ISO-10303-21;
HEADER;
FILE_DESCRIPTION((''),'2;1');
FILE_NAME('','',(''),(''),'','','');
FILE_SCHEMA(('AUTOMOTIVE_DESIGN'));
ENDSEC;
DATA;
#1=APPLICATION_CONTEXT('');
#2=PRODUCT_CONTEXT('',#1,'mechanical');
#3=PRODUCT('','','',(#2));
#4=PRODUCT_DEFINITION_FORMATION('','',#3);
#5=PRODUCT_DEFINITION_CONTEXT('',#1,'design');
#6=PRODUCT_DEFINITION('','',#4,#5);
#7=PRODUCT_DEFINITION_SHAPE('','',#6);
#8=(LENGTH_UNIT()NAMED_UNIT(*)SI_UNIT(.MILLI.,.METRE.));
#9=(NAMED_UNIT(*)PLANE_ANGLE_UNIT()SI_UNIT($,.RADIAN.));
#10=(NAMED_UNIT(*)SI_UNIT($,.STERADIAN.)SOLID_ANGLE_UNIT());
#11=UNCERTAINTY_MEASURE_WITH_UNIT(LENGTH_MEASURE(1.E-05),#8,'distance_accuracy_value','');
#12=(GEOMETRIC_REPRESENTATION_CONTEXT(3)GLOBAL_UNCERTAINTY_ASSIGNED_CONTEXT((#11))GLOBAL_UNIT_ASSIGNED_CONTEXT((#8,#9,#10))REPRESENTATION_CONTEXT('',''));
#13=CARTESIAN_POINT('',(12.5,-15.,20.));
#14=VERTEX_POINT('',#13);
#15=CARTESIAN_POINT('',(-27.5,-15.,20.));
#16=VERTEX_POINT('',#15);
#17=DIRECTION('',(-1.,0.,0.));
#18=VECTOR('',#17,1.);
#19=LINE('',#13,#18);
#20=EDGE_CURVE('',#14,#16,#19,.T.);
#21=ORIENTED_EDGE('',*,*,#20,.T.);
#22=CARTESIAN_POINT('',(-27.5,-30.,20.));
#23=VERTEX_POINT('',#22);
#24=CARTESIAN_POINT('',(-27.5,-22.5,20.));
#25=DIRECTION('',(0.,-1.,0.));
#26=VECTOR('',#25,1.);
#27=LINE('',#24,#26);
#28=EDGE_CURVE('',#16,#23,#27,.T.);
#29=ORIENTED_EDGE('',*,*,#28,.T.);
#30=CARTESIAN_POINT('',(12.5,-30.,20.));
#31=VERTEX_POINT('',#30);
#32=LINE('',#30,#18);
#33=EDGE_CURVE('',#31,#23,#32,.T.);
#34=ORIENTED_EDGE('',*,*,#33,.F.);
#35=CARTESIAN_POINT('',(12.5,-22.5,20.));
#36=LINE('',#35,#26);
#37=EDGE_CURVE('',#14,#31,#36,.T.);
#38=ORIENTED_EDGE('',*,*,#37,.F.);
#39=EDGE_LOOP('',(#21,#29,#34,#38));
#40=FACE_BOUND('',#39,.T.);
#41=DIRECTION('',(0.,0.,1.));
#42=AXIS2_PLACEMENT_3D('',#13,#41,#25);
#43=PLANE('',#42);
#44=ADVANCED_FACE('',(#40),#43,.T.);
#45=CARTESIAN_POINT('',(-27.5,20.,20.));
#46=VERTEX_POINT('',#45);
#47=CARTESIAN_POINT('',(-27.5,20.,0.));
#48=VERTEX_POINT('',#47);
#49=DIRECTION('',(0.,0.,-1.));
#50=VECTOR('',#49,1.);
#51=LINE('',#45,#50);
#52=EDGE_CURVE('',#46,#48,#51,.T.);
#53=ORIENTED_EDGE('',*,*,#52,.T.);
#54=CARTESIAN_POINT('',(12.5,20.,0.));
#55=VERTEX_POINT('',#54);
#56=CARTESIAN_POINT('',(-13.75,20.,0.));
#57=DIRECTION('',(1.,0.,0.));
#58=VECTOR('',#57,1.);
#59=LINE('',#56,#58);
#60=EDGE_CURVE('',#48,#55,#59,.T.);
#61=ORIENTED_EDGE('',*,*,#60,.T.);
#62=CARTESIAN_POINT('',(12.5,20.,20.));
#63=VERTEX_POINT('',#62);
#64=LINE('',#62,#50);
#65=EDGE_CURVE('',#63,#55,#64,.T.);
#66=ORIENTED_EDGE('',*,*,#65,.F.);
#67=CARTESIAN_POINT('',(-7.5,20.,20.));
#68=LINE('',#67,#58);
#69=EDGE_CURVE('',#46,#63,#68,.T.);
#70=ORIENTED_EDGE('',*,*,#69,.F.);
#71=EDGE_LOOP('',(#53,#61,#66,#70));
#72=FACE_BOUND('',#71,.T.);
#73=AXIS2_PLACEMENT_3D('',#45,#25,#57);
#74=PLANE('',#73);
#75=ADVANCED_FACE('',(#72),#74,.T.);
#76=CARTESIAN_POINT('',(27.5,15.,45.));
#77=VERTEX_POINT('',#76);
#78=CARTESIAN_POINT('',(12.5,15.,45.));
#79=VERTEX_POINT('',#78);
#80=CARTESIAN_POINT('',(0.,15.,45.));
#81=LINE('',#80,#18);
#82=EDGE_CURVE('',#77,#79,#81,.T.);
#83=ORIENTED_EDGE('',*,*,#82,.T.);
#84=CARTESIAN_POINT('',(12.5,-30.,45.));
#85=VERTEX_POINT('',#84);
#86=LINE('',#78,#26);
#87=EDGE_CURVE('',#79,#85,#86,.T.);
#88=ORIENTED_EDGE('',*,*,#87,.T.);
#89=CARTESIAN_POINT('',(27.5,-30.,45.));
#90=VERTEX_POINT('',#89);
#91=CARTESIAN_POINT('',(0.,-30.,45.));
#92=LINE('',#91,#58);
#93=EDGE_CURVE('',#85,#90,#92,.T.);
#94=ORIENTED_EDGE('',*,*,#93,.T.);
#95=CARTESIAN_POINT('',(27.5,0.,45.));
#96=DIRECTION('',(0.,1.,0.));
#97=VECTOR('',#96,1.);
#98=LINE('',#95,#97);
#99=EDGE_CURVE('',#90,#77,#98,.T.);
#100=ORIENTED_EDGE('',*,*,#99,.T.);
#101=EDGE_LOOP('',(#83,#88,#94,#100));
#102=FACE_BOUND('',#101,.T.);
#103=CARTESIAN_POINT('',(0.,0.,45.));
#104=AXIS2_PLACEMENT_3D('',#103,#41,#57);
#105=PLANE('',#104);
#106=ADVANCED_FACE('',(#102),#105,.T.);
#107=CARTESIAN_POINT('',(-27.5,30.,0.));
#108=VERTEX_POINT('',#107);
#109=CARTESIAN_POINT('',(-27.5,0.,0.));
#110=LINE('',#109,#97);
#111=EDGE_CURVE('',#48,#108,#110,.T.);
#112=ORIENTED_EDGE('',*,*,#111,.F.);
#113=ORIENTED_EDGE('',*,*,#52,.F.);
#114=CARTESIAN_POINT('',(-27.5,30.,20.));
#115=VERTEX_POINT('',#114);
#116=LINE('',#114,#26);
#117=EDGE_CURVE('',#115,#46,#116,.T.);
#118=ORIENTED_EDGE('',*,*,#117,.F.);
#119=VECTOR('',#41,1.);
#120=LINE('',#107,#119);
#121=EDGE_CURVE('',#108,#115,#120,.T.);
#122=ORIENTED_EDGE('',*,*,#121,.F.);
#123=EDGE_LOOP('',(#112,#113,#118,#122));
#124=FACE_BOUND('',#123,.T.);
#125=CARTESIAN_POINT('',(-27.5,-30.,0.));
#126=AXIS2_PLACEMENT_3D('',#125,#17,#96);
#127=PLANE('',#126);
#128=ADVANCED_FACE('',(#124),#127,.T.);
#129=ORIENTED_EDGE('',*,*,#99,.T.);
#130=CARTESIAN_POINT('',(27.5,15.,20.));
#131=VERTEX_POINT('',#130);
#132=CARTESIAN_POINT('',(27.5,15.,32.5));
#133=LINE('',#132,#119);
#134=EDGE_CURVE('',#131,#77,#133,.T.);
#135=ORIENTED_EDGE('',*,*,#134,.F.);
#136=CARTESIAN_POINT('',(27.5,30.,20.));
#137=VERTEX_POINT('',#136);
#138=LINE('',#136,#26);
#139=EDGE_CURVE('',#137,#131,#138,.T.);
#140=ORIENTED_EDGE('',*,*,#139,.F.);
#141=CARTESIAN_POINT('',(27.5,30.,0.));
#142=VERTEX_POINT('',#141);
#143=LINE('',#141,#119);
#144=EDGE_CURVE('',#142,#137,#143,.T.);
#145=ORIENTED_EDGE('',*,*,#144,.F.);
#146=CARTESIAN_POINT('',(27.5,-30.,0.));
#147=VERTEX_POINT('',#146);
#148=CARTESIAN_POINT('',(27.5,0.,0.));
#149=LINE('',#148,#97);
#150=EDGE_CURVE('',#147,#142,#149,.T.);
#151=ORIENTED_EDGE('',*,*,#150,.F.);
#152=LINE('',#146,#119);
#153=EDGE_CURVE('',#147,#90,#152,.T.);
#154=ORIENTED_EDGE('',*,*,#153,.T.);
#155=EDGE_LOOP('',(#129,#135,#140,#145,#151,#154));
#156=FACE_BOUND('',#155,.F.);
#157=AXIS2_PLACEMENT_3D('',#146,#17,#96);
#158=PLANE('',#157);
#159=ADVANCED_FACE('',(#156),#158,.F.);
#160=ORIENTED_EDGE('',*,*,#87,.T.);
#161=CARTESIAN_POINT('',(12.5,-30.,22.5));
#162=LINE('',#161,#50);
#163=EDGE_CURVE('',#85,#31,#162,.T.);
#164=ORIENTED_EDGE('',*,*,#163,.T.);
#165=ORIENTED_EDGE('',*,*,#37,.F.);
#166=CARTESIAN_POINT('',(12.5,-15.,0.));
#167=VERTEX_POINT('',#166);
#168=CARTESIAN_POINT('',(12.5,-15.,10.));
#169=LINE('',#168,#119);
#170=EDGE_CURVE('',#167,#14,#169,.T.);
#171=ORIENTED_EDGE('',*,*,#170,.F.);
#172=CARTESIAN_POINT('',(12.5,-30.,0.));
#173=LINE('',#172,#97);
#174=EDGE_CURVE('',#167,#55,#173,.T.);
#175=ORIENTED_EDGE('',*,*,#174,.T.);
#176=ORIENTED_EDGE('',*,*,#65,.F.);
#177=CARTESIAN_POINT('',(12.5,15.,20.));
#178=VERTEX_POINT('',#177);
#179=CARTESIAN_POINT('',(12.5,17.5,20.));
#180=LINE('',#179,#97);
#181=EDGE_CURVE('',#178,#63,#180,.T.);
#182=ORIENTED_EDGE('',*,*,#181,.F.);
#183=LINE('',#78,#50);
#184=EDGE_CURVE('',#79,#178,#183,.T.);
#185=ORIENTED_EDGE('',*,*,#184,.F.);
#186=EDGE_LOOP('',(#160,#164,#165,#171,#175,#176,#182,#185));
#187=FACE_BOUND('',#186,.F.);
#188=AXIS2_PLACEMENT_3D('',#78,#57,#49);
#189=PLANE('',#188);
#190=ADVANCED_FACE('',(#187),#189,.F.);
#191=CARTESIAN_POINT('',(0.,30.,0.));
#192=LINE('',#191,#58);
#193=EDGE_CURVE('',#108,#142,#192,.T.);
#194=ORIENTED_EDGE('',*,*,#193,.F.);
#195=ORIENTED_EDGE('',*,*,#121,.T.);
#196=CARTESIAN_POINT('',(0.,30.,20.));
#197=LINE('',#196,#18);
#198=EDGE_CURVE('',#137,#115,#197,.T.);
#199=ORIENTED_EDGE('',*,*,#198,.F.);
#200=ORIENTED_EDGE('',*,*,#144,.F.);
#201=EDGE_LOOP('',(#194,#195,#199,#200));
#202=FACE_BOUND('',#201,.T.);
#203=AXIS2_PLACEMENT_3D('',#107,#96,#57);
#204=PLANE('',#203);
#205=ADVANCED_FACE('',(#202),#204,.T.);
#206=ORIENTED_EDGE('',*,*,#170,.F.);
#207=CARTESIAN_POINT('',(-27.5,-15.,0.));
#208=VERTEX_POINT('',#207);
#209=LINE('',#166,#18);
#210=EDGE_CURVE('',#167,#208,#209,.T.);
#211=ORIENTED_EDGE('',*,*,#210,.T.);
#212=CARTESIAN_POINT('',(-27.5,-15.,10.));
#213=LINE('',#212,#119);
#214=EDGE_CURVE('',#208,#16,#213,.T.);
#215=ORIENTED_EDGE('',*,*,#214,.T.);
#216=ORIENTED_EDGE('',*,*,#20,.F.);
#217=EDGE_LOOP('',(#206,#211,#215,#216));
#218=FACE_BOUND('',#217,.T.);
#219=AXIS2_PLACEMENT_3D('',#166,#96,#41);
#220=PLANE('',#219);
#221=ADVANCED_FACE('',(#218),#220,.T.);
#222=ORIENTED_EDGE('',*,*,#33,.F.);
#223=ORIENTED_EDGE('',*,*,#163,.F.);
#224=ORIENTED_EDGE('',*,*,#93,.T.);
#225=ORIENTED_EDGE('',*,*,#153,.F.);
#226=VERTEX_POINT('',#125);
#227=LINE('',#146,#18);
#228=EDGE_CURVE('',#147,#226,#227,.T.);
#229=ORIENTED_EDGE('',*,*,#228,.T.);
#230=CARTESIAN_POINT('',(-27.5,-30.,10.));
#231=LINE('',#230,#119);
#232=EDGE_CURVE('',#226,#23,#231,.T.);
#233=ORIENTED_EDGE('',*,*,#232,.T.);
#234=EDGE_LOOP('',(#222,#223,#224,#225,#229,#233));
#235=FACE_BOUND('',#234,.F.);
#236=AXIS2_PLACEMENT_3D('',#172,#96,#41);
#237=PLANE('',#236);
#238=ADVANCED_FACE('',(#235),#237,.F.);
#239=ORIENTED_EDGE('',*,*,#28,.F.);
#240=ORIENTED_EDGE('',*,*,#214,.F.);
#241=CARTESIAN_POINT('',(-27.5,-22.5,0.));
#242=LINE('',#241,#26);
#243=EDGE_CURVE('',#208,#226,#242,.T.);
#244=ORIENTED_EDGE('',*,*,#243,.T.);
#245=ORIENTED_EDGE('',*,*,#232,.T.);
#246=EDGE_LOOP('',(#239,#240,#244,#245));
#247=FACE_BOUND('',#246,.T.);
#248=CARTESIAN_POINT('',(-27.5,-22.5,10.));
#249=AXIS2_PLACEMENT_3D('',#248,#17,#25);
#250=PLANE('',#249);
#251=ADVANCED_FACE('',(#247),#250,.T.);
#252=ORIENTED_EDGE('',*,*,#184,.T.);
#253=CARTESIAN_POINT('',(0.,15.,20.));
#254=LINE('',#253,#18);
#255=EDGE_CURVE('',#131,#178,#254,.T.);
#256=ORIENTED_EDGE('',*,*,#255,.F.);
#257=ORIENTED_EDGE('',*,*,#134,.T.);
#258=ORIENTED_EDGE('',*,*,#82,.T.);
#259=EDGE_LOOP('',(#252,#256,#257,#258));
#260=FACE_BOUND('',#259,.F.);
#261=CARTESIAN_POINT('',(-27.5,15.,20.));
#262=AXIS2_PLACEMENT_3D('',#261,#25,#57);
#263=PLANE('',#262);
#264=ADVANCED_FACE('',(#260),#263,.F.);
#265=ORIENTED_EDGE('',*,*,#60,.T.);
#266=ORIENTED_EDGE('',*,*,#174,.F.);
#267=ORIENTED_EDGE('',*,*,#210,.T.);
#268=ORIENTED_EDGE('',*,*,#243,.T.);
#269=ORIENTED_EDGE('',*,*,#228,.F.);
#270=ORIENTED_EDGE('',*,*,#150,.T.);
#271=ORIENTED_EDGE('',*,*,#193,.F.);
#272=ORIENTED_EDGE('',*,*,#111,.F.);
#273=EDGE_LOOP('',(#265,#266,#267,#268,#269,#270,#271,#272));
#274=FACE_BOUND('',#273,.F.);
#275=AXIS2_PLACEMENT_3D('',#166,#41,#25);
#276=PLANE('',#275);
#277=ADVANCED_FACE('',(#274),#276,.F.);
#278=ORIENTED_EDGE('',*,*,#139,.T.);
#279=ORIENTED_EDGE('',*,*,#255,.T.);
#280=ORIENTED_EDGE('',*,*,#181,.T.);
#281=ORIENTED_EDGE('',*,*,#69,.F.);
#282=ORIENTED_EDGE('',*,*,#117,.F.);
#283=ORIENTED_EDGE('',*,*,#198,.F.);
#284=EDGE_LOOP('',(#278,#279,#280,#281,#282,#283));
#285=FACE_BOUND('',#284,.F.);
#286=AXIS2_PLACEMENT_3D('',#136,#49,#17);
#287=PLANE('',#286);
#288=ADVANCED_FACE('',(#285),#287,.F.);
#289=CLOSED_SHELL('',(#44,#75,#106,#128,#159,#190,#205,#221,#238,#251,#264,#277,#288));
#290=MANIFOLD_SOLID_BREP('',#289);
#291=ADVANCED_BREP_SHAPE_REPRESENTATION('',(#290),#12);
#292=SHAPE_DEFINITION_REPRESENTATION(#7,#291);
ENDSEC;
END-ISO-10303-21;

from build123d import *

# Parameters (mm, degrees)
F0_W     = 55
F0_H     = 60
F1_DEPTH = 45
F2_W     = 55
F2_H     = 25
F3_DEPTH = 15
F4_W     = 40
F4_H     = 5
F5_DEPTH = 20.001
F7_DEPTH = 45.001
F8_W     = 15
F8_H     = 20
F9_DEPTH = 40


with BuildPart() as f1:
    # F0 (on Top) → F1 (new body)
    with BuildSketch(Plane.XY):
        Rectangle(F0_W, F0_H)
    extrude(amount=F1_DEPTH)

    # F2 (on face) → F3 (cut)
    with BuildSketch(Plane(origin=(0, 30, 0), x_dir=(-1, 0, 0), z_dir=(0, 1, 0))):
        with Locations((0, 32.5)):
            Rectangle(F2_W, F2_H)
    extrude(amount=-F3_DEPTH, mode=Mode.SUBTRACT)

    # F4 (on face) → F5 (cut, through all)
    with BuildSketch(Plane.XY.offset(20)):
        with Locations((-7.5, 17.5)):
            Rectangle(F4_W, F4_H)
    extrude(amount=-F5_DEPTH, mode=Mode.SUBTRACT)

    # F6 (on face) → F7 (cut, through all)
    with BuildSketch(Plane(origin=(0, 15, 0), x_dir=(-1, 0, 0), z_dir=(0, 1, 0))):
        Polygon((-12.5, 45), (-12.5, 20), (-12.5, 0), (27.5, 0), (27.5, 45), align=None)
    extrude(amount=-F7_DEPTH, mode=Mode.SUBTRACT)

    # F8 (on face) → F9 (join)
    with BuildSketch(Plane(origin=(12.5, 0, 0), x_dir=(0, -1, 0), z_dir=(-1, 0, 0))):
        with Locations((22.5, 10)):
            Rectangle(F8_W, F8_H)
    extrude(amount=F9_DEPTH)


solid = f1.part
